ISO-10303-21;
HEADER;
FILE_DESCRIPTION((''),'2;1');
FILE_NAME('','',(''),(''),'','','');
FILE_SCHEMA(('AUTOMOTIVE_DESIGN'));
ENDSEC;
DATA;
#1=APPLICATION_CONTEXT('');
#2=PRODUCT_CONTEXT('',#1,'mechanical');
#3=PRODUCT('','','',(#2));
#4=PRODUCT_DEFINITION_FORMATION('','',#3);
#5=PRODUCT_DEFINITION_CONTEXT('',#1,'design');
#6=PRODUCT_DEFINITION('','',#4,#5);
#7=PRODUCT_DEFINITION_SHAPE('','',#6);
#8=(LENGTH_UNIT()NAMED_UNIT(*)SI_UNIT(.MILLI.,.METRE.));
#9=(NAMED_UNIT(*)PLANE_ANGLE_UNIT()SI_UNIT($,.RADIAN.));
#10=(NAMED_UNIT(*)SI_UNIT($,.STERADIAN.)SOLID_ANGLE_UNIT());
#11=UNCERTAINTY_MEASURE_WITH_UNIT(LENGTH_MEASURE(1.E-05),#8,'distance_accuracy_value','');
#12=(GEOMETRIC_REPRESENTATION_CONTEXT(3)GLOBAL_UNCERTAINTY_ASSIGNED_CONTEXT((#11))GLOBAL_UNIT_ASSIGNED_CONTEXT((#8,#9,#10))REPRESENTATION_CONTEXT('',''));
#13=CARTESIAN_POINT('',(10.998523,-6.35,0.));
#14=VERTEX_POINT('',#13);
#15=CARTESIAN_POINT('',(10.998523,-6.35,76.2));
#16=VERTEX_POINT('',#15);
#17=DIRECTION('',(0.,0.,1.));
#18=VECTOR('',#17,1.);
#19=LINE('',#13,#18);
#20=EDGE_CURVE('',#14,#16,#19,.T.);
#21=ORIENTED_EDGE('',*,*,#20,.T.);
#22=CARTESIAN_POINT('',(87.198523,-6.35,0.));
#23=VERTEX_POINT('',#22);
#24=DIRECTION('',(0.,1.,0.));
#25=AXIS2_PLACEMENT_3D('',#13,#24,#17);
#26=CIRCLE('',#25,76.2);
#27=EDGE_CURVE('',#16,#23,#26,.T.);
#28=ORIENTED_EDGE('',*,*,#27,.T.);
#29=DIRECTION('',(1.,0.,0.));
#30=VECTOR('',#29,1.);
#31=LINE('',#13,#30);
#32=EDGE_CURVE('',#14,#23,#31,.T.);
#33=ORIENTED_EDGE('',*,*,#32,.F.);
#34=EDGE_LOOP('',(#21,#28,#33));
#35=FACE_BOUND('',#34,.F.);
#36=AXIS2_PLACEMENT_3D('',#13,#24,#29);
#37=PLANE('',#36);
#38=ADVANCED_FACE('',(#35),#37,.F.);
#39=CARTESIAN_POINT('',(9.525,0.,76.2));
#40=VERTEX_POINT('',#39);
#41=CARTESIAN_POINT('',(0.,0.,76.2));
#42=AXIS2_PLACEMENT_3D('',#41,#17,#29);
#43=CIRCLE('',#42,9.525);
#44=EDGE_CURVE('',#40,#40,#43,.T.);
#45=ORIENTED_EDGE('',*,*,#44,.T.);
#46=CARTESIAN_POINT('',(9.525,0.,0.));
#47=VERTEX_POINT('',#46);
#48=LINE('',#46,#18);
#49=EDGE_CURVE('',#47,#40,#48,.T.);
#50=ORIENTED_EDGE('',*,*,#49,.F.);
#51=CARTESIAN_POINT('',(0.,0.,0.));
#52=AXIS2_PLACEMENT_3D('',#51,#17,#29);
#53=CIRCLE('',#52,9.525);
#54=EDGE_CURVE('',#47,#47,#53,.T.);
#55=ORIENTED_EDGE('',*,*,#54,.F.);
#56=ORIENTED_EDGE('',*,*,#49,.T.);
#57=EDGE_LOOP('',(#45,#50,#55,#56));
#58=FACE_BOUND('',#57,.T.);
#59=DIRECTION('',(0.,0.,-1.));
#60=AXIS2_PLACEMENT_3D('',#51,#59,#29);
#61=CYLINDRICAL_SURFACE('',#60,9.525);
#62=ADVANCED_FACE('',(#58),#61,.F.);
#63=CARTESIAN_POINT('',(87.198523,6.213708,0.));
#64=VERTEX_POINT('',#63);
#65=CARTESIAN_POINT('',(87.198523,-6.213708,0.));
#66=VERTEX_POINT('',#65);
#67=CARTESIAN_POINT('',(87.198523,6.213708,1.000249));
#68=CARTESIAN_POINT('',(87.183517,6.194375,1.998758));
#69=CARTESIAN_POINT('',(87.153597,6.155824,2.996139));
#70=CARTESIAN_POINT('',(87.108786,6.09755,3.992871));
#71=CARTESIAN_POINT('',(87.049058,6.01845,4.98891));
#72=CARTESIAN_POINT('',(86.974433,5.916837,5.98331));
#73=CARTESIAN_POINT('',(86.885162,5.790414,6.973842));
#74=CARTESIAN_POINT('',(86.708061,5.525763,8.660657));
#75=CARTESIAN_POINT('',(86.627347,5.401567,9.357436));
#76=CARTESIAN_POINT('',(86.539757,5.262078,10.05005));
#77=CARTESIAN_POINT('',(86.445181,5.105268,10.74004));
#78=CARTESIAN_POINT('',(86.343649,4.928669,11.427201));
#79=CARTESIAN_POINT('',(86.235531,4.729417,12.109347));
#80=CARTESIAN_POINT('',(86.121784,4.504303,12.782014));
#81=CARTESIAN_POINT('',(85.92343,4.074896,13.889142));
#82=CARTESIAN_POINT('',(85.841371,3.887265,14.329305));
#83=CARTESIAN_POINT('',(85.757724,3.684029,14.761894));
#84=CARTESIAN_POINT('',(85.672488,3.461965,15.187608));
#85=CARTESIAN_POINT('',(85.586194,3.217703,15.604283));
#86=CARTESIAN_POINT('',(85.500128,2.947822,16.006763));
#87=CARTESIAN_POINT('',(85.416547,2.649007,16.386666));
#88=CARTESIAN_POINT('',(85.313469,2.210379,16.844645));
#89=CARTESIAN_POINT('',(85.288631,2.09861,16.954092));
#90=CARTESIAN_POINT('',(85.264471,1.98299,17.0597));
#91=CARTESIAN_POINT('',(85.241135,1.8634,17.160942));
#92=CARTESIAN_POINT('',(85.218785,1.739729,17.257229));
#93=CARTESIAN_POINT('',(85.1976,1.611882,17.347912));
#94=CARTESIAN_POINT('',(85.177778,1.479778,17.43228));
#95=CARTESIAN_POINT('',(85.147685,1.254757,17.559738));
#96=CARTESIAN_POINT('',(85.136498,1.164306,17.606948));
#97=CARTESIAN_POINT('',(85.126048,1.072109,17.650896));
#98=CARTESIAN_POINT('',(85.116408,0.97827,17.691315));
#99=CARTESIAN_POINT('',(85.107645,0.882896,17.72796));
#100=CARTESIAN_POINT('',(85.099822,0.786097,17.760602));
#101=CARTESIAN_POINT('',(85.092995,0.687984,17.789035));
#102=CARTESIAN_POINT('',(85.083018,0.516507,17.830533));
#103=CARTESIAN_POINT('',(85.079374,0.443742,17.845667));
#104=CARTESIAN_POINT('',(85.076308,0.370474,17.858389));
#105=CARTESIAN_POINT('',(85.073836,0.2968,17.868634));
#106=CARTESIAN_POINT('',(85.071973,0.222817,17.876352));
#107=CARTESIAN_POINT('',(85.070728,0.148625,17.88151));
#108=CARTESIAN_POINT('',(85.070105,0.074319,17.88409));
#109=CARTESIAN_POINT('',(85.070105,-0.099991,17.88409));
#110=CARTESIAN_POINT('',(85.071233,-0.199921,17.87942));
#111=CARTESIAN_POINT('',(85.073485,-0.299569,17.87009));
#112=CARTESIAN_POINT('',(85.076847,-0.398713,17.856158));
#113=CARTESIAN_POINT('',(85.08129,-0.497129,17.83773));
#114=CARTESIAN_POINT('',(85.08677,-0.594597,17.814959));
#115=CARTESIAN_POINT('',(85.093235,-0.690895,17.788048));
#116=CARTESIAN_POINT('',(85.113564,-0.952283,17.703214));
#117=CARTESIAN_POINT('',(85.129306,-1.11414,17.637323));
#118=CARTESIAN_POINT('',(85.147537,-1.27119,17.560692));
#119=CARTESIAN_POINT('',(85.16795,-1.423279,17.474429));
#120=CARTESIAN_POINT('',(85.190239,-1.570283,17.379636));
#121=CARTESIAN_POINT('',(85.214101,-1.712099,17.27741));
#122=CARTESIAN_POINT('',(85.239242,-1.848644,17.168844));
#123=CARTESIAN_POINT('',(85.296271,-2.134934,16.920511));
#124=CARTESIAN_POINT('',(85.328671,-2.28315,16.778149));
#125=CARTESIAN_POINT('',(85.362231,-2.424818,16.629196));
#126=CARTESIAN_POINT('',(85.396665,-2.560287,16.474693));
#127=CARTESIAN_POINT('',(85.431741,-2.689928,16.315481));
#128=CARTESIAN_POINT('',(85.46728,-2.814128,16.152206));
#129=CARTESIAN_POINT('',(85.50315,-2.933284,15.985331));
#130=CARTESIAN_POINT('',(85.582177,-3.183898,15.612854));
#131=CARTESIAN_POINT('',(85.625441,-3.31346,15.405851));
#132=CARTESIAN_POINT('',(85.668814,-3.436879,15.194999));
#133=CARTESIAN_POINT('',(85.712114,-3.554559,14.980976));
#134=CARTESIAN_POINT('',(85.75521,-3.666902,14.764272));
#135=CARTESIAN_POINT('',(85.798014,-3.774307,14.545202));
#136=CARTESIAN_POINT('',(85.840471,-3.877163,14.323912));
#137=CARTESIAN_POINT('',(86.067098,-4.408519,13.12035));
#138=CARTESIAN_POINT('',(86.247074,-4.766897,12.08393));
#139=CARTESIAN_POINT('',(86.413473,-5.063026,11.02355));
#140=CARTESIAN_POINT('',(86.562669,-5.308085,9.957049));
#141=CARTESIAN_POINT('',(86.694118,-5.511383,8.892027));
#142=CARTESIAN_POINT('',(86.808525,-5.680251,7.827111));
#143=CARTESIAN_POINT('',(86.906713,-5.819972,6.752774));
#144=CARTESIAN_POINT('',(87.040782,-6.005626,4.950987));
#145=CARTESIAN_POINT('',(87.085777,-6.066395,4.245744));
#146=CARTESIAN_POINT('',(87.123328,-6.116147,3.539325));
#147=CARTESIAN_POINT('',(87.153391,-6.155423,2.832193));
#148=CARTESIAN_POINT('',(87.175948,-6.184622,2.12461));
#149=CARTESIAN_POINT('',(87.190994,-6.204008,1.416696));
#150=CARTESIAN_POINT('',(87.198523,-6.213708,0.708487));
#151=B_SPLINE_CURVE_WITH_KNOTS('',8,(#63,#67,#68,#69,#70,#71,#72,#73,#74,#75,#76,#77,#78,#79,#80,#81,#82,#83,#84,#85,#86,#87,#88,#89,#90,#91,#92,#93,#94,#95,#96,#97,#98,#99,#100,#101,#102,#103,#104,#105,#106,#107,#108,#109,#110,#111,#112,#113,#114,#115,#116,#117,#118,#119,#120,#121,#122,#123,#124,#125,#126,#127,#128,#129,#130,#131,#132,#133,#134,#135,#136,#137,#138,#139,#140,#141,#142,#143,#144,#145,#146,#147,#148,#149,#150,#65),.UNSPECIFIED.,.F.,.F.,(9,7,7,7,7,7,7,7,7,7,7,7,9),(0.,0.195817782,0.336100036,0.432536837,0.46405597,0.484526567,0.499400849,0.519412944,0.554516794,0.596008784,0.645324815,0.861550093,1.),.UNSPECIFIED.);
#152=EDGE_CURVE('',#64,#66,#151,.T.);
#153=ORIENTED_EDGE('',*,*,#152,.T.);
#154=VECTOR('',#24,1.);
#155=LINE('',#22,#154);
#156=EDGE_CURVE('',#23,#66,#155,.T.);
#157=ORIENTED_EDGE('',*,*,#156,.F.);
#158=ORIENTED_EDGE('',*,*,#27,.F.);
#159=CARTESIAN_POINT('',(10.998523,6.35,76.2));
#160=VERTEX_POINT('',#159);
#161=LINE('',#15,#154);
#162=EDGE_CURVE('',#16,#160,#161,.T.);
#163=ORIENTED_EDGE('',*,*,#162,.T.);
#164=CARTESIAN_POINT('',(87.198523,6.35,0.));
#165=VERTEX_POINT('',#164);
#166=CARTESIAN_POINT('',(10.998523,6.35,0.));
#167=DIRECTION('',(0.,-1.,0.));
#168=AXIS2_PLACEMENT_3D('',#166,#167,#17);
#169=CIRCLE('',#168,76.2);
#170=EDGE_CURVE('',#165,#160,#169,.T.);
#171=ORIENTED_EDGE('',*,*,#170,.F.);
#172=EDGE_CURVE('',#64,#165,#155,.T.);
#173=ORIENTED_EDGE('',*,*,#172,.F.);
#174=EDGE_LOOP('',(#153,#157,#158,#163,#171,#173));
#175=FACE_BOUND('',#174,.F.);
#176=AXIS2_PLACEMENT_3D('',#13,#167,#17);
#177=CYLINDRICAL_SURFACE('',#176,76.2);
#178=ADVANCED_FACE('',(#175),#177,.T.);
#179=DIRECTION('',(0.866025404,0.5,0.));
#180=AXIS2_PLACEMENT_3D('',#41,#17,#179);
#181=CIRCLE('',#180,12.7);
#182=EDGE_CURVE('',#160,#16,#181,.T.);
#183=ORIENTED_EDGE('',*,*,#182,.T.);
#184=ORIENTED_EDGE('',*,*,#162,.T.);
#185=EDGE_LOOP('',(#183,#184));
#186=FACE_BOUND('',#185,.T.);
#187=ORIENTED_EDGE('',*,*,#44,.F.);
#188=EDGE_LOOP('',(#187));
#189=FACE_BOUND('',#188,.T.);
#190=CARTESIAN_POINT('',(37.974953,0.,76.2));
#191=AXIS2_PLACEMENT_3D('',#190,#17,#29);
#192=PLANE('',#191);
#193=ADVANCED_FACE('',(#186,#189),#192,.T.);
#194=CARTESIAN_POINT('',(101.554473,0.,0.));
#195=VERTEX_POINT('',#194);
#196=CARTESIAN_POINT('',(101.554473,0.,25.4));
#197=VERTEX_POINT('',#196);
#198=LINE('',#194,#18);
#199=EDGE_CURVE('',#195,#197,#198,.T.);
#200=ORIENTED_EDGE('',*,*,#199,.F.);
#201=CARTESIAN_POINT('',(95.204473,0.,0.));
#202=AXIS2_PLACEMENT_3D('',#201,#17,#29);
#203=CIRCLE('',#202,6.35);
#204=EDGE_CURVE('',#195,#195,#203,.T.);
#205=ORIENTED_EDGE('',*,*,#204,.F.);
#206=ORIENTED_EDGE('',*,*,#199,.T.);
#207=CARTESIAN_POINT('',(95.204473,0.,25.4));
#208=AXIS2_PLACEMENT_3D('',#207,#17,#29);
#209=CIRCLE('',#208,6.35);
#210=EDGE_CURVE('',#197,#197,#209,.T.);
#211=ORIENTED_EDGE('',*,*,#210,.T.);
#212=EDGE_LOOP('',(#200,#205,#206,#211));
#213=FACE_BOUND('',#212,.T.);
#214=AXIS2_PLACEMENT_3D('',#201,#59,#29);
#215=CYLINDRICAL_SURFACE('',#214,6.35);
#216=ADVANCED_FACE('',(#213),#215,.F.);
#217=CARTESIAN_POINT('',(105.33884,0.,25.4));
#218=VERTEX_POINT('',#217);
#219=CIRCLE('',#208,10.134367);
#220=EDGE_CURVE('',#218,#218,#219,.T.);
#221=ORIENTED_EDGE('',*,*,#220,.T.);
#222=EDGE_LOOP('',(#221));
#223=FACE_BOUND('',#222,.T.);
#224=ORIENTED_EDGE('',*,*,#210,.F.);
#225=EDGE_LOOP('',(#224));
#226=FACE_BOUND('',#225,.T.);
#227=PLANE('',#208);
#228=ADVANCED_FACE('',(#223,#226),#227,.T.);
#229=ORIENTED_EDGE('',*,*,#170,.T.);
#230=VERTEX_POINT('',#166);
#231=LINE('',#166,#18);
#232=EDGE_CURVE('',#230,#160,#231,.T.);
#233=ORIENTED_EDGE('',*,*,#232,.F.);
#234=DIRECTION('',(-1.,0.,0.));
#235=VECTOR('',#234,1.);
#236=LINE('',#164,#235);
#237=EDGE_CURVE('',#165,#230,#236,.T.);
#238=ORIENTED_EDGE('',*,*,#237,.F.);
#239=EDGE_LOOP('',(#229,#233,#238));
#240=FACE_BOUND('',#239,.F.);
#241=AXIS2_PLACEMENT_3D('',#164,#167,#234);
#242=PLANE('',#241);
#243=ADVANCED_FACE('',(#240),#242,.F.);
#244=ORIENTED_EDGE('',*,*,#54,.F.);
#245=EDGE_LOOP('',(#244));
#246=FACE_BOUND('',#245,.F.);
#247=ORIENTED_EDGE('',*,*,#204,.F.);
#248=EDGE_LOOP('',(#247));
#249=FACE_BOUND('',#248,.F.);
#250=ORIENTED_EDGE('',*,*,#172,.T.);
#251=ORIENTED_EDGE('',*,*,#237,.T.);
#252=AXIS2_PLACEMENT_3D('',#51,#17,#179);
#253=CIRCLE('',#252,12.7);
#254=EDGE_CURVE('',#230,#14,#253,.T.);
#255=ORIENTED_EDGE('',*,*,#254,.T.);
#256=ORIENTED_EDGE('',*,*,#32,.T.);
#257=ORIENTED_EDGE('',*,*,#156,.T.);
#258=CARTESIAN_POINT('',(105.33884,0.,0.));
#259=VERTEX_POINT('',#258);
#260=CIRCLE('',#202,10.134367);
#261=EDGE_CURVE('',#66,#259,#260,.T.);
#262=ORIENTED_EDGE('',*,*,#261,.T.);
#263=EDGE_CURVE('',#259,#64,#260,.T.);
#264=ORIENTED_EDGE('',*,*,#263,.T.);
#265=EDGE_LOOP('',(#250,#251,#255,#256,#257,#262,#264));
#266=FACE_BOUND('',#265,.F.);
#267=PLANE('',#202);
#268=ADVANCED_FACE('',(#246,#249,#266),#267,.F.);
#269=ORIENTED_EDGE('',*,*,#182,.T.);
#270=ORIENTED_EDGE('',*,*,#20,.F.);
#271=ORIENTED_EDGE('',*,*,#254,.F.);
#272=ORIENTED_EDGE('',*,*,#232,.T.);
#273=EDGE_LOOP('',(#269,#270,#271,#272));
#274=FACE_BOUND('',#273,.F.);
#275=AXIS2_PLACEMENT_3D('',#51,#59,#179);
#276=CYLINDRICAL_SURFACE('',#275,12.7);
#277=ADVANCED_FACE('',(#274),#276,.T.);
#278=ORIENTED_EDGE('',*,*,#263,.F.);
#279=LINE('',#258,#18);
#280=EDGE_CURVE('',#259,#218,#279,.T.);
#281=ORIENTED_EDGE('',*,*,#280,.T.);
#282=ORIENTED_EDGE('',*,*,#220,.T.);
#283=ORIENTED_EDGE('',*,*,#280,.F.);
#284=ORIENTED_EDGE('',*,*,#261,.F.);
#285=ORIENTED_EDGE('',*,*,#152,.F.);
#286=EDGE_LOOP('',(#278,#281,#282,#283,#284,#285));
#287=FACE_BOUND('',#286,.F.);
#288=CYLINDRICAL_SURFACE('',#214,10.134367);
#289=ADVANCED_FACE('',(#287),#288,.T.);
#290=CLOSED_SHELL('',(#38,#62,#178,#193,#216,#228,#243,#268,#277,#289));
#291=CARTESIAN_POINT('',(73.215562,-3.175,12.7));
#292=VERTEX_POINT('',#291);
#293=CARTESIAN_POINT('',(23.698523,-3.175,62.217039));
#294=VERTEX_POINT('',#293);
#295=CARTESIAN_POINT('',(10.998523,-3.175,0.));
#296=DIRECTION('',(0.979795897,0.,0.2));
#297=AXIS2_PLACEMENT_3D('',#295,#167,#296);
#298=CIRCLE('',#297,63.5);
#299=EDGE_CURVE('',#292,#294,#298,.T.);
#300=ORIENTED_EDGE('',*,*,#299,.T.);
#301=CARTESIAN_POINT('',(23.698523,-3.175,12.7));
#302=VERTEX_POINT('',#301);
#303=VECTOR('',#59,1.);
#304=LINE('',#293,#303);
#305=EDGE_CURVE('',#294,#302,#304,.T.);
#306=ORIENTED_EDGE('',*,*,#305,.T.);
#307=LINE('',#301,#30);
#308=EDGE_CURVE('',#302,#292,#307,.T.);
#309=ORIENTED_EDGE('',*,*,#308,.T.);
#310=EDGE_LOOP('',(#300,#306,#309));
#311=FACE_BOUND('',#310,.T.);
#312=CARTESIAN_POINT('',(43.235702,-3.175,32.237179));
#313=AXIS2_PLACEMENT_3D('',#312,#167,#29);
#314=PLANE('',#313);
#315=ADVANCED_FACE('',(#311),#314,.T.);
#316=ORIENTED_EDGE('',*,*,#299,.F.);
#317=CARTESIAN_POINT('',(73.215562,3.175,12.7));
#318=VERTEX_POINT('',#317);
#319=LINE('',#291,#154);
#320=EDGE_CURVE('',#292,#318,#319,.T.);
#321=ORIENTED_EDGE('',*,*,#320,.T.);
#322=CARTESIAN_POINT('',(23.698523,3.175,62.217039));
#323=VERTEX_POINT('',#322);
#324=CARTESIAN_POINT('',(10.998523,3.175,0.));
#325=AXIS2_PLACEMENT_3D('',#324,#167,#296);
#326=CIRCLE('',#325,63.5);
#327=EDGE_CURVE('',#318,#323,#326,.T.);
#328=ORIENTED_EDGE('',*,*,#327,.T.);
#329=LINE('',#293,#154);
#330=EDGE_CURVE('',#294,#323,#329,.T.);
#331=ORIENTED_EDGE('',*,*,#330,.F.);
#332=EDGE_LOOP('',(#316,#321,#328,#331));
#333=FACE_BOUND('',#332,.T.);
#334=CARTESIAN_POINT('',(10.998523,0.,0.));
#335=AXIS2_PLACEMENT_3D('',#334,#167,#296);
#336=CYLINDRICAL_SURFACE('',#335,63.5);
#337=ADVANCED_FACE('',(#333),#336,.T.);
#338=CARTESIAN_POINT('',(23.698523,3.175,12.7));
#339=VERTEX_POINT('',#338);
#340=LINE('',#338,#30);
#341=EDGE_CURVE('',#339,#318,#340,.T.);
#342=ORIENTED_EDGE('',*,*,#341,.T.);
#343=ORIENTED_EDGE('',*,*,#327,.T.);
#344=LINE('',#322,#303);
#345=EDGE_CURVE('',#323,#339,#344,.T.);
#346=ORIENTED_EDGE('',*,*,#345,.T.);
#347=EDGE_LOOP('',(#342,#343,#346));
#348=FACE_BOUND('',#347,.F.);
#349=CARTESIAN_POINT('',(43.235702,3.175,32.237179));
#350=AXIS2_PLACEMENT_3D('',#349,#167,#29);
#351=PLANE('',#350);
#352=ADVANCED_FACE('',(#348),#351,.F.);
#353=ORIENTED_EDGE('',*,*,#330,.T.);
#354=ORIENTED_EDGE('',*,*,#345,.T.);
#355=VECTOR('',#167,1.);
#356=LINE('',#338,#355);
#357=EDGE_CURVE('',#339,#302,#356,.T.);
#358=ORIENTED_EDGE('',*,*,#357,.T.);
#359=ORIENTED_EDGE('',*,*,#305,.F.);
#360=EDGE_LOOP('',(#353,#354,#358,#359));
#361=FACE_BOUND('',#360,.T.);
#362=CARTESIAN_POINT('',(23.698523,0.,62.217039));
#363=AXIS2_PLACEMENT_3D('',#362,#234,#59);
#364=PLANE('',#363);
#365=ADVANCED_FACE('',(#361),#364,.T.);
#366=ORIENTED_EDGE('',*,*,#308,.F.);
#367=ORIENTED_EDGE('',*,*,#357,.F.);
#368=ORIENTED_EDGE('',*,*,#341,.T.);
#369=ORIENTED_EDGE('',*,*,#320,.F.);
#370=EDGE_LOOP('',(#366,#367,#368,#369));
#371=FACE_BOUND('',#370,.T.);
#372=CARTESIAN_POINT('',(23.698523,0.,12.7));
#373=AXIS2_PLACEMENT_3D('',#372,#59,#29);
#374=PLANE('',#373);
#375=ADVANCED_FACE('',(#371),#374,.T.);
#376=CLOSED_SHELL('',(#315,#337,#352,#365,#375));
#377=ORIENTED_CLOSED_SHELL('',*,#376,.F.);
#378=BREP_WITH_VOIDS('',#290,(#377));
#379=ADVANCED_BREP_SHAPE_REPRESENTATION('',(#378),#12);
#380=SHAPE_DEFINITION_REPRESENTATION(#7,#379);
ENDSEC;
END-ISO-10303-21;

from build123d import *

# Parameters (mm, degrees)
F0_R     = 9.525
F1_DEPTH = 76.2
F3_DEPTH = 19.051
F4_R     = 10.1343674416
F4_R_2   = 6.35
F5_DEPTH = 25.4
F7_DEPTH = 3.175


with BuildPart() as f1:
    # F0 (on Top) → F1 (new body)
    with BuildSketch(Plane.XY):
        with BuildLine():
            Line((87.1985226281, 6.35), (10.9985226281, 6.35))
            ThreePointArc((10.9985226281, 6.35), (-12.7, 0), (10.9985226281, -6.35))
            Line((10.9985226281, -6.35), (87.1985226281, -6.35))
            Line((87.1985226281, -6.35), (87.1985226281, 6.35))
        make_face()
        Circle(F0_R, mode=Mode.SUBTRACT)
    extrude(amount=F1_DEPTH)

    # F2 (on face) → F3 (cut, through all)
    with BuildSketch(Plane.XZ.offset(6.35)):
        with BuildLine():
            ThreePointArc((10.9985226281, 76.2), (64.8800593545, 53.8815367264), (87.1985226281, 0))
            Line((87.1985226281, 0), (87.1985226281, 76.2))
            Line((87.1985226281, 76.2), (10.9985226281, 76.2))
        make_face()
    extrude(amount=-F3_DEPTH, mode=Mode.SUBTRACT)

    # F4 (on Top) → F5 (join)
    with BuildSketch(Plane.XY):
        with Locations((95.2044725418, 0)):
            Circle(F4_R)
        with Locations((95.2044725418, 0)):
            Circle(F4_R_2, mode=Mode.SUBTRACT)
    extrude(amount=F5_DEPTH)

    # F6 (on Front) → F7 (cut, symmetric)
    with BuildSketch(Plane.XZ):
        with BuildLine():
            Line((23.6985226281, 62.2170394667), (23.6985226281, 12.7))
            Line((23.6985226281, 12.7), (73.2155620948, 12.7))
            ThreePointArc((73.2155620948, 12.7), (55.8998032334, 44.9012806053), (23.6985226281, 62.2170394667))
        make_face()
    extrude(amount=F7_DEPTH, both=True, mode=Mode.SUBTRACT)


solid = f1.part
